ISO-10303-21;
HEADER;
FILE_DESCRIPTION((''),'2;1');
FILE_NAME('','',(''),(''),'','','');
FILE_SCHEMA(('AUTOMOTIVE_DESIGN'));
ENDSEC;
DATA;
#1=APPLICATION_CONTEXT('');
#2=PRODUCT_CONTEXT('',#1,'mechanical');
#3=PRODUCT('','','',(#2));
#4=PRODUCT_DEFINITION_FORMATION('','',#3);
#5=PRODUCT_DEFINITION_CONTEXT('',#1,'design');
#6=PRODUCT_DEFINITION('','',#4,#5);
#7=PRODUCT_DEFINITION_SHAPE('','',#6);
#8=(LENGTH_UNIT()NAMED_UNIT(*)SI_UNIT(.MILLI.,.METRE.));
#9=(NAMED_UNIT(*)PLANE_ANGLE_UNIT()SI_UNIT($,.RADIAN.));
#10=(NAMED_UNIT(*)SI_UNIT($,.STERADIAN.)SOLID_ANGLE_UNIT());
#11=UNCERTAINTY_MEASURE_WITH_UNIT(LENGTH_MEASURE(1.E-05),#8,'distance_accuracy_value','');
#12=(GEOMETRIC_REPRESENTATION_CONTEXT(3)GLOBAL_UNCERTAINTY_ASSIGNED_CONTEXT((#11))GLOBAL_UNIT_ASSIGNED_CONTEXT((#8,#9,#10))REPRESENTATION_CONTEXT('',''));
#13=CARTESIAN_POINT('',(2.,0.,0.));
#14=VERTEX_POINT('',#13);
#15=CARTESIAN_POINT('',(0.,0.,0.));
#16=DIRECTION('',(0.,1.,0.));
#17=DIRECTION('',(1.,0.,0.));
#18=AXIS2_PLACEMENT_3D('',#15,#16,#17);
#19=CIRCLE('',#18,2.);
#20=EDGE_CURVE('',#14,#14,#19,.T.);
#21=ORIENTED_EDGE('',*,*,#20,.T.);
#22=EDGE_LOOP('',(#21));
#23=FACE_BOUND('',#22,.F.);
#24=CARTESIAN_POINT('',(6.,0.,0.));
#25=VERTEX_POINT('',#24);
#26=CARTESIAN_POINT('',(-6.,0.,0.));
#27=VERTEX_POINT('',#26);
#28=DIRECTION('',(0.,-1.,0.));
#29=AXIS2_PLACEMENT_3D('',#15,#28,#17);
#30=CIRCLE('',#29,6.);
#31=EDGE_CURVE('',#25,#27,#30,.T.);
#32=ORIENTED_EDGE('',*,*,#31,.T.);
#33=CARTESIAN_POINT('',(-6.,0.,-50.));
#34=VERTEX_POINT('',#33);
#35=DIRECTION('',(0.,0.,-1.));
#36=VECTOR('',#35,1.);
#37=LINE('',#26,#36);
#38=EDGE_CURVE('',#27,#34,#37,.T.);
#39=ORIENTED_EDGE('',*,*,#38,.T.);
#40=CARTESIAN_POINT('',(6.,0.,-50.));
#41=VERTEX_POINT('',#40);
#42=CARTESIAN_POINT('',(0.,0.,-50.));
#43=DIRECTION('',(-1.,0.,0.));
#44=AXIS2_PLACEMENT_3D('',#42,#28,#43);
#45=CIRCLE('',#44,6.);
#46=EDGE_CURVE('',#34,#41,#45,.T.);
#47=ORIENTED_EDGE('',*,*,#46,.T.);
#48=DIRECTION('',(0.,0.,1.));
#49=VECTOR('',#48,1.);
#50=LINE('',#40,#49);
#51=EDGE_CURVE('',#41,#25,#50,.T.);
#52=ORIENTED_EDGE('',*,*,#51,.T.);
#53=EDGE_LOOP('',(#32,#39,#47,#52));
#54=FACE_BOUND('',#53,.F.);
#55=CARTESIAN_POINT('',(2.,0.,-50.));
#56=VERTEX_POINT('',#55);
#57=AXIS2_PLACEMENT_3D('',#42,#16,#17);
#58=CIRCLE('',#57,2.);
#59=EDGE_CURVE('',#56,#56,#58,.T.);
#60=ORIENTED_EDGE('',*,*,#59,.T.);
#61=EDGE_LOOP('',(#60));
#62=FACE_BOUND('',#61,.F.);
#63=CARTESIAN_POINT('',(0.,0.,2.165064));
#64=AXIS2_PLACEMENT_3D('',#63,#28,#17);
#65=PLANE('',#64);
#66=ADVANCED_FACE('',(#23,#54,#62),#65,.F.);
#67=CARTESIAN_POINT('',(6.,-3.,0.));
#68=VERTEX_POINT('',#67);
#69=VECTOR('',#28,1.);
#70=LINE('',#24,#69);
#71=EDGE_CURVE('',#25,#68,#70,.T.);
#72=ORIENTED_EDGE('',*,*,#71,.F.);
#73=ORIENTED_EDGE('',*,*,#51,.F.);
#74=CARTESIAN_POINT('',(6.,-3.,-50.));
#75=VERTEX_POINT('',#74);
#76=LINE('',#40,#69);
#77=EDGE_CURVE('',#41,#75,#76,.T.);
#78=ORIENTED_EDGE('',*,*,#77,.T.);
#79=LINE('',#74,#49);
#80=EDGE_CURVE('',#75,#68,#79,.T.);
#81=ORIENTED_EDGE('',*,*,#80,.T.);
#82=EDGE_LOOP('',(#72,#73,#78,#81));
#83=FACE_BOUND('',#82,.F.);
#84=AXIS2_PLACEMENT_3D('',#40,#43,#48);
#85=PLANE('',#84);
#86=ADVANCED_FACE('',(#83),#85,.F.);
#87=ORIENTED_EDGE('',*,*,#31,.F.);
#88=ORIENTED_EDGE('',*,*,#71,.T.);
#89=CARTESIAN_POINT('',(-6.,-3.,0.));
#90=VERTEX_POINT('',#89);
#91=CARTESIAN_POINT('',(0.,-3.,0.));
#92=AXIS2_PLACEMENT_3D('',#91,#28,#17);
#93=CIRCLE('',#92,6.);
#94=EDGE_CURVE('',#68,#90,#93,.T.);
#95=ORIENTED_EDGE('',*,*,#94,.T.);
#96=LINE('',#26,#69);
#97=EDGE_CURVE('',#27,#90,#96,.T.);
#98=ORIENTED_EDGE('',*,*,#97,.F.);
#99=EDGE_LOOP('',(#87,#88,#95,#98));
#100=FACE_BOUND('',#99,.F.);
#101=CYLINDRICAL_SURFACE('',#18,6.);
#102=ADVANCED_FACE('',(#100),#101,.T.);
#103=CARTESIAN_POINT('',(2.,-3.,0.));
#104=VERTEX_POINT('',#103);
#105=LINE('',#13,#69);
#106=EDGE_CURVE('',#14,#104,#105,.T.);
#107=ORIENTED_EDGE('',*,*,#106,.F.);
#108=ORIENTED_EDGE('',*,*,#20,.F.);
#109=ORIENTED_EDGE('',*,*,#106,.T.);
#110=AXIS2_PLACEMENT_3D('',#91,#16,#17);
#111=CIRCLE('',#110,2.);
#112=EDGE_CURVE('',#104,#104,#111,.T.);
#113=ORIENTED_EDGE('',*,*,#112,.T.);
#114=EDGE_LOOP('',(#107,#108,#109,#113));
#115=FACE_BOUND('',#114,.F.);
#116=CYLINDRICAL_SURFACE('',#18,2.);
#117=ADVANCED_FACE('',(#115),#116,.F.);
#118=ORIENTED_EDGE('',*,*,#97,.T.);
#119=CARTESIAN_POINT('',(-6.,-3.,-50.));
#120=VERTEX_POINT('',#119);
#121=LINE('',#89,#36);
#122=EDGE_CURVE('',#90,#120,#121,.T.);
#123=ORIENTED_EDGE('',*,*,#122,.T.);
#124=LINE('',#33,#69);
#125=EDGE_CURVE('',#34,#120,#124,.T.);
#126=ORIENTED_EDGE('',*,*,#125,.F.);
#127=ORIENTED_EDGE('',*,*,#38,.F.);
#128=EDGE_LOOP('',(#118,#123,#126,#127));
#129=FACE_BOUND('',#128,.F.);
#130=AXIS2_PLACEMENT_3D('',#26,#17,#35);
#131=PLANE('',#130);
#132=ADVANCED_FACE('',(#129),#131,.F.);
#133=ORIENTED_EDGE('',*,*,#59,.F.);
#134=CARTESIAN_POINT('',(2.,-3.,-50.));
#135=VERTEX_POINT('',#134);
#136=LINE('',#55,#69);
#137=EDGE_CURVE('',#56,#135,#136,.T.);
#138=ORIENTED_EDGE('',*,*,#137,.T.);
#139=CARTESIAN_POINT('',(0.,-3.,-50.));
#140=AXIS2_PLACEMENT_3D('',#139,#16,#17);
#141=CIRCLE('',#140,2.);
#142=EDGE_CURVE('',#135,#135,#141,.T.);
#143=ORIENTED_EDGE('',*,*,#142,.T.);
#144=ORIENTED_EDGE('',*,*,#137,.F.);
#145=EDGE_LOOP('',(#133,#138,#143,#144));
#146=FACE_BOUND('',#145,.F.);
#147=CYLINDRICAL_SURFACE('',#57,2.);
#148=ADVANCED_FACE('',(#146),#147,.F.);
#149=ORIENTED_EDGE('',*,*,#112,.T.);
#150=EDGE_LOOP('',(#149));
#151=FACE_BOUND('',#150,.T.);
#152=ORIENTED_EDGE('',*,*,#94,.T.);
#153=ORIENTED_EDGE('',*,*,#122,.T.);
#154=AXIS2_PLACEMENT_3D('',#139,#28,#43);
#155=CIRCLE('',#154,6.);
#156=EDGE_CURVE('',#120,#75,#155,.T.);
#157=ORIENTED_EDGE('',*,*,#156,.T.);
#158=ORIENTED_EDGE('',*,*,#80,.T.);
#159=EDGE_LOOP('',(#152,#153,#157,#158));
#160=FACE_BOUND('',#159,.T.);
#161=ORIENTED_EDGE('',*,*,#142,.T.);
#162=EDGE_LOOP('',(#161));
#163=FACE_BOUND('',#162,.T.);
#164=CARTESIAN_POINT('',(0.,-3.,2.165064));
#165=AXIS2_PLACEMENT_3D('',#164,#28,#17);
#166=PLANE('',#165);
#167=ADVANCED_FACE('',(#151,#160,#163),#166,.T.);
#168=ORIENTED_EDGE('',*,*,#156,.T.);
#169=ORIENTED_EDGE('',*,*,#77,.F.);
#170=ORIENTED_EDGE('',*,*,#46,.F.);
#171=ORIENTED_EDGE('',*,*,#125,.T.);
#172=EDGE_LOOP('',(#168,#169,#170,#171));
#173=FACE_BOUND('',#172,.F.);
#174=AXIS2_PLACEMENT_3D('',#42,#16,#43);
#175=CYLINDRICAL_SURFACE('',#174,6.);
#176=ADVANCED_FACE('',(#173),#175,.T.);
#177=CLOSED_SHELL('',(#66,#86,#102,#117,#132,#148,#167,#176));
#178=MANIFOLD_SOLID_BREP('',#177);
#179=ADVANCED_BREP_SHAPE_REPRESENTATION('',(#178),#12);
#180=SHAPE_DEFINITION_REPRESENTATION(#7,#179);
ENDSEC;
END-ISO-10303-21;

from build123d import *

# Parameters (mm, degrees)
F1_DEPTH = 3


with BuildPart() as f1:
    # F0 (on Front) → F1 (new body)
    with BuildSketch(Plane.XZ):
        with BuildLine():
            Line((2, 0), (6, 0))
            ThreePointArc((6, 0), (0, 6), (-6, 0))
            Line((-6, 0), (-2, 0))
            ThreePointArc((-2, 0), (0, 2), (2, 0))
        make_face()
        with BuildLine():
            Line((6, -50), (6, 0))
            ThreePointArc((6, 0), (0, -6), (-6, 0))
            Line((-6, 0), (-6, -50))
            ThreePointArc((-6, -50), (0, -44), (6, -50))
        make_face()
        with BuildLine():
            ThreePointArc((-6, 0), (0, -6), (6, 0))
            Line((6, 0), (2, 0))
            ThreePointArc((2, 0), (0, -2), (-2, 0))
            Line((-2, 0), (-6, 0))
        make_face()
        with BuildLine():
            Line((2, -50), (6, -50))
            ThreePointArc((6, -50), (0, -44), (-6, -50))
            Line((-6, -50), (-2, -50))
            ThreePointArc((-2, -50), (0, -48), (2, -50))
        make_face()
        with BuildLine():
            ThreePointArc((-6, -50), (0, -56), (6, -50))
            Line((6, -50), (2, -50))
            ThreePointArc((2, -50), (0, -52), (-2, -50))
            Line((-2, -50), (-6, -50))
        make_face()
    extrude(amount=F1_DEPTH)


solid = f1.part
